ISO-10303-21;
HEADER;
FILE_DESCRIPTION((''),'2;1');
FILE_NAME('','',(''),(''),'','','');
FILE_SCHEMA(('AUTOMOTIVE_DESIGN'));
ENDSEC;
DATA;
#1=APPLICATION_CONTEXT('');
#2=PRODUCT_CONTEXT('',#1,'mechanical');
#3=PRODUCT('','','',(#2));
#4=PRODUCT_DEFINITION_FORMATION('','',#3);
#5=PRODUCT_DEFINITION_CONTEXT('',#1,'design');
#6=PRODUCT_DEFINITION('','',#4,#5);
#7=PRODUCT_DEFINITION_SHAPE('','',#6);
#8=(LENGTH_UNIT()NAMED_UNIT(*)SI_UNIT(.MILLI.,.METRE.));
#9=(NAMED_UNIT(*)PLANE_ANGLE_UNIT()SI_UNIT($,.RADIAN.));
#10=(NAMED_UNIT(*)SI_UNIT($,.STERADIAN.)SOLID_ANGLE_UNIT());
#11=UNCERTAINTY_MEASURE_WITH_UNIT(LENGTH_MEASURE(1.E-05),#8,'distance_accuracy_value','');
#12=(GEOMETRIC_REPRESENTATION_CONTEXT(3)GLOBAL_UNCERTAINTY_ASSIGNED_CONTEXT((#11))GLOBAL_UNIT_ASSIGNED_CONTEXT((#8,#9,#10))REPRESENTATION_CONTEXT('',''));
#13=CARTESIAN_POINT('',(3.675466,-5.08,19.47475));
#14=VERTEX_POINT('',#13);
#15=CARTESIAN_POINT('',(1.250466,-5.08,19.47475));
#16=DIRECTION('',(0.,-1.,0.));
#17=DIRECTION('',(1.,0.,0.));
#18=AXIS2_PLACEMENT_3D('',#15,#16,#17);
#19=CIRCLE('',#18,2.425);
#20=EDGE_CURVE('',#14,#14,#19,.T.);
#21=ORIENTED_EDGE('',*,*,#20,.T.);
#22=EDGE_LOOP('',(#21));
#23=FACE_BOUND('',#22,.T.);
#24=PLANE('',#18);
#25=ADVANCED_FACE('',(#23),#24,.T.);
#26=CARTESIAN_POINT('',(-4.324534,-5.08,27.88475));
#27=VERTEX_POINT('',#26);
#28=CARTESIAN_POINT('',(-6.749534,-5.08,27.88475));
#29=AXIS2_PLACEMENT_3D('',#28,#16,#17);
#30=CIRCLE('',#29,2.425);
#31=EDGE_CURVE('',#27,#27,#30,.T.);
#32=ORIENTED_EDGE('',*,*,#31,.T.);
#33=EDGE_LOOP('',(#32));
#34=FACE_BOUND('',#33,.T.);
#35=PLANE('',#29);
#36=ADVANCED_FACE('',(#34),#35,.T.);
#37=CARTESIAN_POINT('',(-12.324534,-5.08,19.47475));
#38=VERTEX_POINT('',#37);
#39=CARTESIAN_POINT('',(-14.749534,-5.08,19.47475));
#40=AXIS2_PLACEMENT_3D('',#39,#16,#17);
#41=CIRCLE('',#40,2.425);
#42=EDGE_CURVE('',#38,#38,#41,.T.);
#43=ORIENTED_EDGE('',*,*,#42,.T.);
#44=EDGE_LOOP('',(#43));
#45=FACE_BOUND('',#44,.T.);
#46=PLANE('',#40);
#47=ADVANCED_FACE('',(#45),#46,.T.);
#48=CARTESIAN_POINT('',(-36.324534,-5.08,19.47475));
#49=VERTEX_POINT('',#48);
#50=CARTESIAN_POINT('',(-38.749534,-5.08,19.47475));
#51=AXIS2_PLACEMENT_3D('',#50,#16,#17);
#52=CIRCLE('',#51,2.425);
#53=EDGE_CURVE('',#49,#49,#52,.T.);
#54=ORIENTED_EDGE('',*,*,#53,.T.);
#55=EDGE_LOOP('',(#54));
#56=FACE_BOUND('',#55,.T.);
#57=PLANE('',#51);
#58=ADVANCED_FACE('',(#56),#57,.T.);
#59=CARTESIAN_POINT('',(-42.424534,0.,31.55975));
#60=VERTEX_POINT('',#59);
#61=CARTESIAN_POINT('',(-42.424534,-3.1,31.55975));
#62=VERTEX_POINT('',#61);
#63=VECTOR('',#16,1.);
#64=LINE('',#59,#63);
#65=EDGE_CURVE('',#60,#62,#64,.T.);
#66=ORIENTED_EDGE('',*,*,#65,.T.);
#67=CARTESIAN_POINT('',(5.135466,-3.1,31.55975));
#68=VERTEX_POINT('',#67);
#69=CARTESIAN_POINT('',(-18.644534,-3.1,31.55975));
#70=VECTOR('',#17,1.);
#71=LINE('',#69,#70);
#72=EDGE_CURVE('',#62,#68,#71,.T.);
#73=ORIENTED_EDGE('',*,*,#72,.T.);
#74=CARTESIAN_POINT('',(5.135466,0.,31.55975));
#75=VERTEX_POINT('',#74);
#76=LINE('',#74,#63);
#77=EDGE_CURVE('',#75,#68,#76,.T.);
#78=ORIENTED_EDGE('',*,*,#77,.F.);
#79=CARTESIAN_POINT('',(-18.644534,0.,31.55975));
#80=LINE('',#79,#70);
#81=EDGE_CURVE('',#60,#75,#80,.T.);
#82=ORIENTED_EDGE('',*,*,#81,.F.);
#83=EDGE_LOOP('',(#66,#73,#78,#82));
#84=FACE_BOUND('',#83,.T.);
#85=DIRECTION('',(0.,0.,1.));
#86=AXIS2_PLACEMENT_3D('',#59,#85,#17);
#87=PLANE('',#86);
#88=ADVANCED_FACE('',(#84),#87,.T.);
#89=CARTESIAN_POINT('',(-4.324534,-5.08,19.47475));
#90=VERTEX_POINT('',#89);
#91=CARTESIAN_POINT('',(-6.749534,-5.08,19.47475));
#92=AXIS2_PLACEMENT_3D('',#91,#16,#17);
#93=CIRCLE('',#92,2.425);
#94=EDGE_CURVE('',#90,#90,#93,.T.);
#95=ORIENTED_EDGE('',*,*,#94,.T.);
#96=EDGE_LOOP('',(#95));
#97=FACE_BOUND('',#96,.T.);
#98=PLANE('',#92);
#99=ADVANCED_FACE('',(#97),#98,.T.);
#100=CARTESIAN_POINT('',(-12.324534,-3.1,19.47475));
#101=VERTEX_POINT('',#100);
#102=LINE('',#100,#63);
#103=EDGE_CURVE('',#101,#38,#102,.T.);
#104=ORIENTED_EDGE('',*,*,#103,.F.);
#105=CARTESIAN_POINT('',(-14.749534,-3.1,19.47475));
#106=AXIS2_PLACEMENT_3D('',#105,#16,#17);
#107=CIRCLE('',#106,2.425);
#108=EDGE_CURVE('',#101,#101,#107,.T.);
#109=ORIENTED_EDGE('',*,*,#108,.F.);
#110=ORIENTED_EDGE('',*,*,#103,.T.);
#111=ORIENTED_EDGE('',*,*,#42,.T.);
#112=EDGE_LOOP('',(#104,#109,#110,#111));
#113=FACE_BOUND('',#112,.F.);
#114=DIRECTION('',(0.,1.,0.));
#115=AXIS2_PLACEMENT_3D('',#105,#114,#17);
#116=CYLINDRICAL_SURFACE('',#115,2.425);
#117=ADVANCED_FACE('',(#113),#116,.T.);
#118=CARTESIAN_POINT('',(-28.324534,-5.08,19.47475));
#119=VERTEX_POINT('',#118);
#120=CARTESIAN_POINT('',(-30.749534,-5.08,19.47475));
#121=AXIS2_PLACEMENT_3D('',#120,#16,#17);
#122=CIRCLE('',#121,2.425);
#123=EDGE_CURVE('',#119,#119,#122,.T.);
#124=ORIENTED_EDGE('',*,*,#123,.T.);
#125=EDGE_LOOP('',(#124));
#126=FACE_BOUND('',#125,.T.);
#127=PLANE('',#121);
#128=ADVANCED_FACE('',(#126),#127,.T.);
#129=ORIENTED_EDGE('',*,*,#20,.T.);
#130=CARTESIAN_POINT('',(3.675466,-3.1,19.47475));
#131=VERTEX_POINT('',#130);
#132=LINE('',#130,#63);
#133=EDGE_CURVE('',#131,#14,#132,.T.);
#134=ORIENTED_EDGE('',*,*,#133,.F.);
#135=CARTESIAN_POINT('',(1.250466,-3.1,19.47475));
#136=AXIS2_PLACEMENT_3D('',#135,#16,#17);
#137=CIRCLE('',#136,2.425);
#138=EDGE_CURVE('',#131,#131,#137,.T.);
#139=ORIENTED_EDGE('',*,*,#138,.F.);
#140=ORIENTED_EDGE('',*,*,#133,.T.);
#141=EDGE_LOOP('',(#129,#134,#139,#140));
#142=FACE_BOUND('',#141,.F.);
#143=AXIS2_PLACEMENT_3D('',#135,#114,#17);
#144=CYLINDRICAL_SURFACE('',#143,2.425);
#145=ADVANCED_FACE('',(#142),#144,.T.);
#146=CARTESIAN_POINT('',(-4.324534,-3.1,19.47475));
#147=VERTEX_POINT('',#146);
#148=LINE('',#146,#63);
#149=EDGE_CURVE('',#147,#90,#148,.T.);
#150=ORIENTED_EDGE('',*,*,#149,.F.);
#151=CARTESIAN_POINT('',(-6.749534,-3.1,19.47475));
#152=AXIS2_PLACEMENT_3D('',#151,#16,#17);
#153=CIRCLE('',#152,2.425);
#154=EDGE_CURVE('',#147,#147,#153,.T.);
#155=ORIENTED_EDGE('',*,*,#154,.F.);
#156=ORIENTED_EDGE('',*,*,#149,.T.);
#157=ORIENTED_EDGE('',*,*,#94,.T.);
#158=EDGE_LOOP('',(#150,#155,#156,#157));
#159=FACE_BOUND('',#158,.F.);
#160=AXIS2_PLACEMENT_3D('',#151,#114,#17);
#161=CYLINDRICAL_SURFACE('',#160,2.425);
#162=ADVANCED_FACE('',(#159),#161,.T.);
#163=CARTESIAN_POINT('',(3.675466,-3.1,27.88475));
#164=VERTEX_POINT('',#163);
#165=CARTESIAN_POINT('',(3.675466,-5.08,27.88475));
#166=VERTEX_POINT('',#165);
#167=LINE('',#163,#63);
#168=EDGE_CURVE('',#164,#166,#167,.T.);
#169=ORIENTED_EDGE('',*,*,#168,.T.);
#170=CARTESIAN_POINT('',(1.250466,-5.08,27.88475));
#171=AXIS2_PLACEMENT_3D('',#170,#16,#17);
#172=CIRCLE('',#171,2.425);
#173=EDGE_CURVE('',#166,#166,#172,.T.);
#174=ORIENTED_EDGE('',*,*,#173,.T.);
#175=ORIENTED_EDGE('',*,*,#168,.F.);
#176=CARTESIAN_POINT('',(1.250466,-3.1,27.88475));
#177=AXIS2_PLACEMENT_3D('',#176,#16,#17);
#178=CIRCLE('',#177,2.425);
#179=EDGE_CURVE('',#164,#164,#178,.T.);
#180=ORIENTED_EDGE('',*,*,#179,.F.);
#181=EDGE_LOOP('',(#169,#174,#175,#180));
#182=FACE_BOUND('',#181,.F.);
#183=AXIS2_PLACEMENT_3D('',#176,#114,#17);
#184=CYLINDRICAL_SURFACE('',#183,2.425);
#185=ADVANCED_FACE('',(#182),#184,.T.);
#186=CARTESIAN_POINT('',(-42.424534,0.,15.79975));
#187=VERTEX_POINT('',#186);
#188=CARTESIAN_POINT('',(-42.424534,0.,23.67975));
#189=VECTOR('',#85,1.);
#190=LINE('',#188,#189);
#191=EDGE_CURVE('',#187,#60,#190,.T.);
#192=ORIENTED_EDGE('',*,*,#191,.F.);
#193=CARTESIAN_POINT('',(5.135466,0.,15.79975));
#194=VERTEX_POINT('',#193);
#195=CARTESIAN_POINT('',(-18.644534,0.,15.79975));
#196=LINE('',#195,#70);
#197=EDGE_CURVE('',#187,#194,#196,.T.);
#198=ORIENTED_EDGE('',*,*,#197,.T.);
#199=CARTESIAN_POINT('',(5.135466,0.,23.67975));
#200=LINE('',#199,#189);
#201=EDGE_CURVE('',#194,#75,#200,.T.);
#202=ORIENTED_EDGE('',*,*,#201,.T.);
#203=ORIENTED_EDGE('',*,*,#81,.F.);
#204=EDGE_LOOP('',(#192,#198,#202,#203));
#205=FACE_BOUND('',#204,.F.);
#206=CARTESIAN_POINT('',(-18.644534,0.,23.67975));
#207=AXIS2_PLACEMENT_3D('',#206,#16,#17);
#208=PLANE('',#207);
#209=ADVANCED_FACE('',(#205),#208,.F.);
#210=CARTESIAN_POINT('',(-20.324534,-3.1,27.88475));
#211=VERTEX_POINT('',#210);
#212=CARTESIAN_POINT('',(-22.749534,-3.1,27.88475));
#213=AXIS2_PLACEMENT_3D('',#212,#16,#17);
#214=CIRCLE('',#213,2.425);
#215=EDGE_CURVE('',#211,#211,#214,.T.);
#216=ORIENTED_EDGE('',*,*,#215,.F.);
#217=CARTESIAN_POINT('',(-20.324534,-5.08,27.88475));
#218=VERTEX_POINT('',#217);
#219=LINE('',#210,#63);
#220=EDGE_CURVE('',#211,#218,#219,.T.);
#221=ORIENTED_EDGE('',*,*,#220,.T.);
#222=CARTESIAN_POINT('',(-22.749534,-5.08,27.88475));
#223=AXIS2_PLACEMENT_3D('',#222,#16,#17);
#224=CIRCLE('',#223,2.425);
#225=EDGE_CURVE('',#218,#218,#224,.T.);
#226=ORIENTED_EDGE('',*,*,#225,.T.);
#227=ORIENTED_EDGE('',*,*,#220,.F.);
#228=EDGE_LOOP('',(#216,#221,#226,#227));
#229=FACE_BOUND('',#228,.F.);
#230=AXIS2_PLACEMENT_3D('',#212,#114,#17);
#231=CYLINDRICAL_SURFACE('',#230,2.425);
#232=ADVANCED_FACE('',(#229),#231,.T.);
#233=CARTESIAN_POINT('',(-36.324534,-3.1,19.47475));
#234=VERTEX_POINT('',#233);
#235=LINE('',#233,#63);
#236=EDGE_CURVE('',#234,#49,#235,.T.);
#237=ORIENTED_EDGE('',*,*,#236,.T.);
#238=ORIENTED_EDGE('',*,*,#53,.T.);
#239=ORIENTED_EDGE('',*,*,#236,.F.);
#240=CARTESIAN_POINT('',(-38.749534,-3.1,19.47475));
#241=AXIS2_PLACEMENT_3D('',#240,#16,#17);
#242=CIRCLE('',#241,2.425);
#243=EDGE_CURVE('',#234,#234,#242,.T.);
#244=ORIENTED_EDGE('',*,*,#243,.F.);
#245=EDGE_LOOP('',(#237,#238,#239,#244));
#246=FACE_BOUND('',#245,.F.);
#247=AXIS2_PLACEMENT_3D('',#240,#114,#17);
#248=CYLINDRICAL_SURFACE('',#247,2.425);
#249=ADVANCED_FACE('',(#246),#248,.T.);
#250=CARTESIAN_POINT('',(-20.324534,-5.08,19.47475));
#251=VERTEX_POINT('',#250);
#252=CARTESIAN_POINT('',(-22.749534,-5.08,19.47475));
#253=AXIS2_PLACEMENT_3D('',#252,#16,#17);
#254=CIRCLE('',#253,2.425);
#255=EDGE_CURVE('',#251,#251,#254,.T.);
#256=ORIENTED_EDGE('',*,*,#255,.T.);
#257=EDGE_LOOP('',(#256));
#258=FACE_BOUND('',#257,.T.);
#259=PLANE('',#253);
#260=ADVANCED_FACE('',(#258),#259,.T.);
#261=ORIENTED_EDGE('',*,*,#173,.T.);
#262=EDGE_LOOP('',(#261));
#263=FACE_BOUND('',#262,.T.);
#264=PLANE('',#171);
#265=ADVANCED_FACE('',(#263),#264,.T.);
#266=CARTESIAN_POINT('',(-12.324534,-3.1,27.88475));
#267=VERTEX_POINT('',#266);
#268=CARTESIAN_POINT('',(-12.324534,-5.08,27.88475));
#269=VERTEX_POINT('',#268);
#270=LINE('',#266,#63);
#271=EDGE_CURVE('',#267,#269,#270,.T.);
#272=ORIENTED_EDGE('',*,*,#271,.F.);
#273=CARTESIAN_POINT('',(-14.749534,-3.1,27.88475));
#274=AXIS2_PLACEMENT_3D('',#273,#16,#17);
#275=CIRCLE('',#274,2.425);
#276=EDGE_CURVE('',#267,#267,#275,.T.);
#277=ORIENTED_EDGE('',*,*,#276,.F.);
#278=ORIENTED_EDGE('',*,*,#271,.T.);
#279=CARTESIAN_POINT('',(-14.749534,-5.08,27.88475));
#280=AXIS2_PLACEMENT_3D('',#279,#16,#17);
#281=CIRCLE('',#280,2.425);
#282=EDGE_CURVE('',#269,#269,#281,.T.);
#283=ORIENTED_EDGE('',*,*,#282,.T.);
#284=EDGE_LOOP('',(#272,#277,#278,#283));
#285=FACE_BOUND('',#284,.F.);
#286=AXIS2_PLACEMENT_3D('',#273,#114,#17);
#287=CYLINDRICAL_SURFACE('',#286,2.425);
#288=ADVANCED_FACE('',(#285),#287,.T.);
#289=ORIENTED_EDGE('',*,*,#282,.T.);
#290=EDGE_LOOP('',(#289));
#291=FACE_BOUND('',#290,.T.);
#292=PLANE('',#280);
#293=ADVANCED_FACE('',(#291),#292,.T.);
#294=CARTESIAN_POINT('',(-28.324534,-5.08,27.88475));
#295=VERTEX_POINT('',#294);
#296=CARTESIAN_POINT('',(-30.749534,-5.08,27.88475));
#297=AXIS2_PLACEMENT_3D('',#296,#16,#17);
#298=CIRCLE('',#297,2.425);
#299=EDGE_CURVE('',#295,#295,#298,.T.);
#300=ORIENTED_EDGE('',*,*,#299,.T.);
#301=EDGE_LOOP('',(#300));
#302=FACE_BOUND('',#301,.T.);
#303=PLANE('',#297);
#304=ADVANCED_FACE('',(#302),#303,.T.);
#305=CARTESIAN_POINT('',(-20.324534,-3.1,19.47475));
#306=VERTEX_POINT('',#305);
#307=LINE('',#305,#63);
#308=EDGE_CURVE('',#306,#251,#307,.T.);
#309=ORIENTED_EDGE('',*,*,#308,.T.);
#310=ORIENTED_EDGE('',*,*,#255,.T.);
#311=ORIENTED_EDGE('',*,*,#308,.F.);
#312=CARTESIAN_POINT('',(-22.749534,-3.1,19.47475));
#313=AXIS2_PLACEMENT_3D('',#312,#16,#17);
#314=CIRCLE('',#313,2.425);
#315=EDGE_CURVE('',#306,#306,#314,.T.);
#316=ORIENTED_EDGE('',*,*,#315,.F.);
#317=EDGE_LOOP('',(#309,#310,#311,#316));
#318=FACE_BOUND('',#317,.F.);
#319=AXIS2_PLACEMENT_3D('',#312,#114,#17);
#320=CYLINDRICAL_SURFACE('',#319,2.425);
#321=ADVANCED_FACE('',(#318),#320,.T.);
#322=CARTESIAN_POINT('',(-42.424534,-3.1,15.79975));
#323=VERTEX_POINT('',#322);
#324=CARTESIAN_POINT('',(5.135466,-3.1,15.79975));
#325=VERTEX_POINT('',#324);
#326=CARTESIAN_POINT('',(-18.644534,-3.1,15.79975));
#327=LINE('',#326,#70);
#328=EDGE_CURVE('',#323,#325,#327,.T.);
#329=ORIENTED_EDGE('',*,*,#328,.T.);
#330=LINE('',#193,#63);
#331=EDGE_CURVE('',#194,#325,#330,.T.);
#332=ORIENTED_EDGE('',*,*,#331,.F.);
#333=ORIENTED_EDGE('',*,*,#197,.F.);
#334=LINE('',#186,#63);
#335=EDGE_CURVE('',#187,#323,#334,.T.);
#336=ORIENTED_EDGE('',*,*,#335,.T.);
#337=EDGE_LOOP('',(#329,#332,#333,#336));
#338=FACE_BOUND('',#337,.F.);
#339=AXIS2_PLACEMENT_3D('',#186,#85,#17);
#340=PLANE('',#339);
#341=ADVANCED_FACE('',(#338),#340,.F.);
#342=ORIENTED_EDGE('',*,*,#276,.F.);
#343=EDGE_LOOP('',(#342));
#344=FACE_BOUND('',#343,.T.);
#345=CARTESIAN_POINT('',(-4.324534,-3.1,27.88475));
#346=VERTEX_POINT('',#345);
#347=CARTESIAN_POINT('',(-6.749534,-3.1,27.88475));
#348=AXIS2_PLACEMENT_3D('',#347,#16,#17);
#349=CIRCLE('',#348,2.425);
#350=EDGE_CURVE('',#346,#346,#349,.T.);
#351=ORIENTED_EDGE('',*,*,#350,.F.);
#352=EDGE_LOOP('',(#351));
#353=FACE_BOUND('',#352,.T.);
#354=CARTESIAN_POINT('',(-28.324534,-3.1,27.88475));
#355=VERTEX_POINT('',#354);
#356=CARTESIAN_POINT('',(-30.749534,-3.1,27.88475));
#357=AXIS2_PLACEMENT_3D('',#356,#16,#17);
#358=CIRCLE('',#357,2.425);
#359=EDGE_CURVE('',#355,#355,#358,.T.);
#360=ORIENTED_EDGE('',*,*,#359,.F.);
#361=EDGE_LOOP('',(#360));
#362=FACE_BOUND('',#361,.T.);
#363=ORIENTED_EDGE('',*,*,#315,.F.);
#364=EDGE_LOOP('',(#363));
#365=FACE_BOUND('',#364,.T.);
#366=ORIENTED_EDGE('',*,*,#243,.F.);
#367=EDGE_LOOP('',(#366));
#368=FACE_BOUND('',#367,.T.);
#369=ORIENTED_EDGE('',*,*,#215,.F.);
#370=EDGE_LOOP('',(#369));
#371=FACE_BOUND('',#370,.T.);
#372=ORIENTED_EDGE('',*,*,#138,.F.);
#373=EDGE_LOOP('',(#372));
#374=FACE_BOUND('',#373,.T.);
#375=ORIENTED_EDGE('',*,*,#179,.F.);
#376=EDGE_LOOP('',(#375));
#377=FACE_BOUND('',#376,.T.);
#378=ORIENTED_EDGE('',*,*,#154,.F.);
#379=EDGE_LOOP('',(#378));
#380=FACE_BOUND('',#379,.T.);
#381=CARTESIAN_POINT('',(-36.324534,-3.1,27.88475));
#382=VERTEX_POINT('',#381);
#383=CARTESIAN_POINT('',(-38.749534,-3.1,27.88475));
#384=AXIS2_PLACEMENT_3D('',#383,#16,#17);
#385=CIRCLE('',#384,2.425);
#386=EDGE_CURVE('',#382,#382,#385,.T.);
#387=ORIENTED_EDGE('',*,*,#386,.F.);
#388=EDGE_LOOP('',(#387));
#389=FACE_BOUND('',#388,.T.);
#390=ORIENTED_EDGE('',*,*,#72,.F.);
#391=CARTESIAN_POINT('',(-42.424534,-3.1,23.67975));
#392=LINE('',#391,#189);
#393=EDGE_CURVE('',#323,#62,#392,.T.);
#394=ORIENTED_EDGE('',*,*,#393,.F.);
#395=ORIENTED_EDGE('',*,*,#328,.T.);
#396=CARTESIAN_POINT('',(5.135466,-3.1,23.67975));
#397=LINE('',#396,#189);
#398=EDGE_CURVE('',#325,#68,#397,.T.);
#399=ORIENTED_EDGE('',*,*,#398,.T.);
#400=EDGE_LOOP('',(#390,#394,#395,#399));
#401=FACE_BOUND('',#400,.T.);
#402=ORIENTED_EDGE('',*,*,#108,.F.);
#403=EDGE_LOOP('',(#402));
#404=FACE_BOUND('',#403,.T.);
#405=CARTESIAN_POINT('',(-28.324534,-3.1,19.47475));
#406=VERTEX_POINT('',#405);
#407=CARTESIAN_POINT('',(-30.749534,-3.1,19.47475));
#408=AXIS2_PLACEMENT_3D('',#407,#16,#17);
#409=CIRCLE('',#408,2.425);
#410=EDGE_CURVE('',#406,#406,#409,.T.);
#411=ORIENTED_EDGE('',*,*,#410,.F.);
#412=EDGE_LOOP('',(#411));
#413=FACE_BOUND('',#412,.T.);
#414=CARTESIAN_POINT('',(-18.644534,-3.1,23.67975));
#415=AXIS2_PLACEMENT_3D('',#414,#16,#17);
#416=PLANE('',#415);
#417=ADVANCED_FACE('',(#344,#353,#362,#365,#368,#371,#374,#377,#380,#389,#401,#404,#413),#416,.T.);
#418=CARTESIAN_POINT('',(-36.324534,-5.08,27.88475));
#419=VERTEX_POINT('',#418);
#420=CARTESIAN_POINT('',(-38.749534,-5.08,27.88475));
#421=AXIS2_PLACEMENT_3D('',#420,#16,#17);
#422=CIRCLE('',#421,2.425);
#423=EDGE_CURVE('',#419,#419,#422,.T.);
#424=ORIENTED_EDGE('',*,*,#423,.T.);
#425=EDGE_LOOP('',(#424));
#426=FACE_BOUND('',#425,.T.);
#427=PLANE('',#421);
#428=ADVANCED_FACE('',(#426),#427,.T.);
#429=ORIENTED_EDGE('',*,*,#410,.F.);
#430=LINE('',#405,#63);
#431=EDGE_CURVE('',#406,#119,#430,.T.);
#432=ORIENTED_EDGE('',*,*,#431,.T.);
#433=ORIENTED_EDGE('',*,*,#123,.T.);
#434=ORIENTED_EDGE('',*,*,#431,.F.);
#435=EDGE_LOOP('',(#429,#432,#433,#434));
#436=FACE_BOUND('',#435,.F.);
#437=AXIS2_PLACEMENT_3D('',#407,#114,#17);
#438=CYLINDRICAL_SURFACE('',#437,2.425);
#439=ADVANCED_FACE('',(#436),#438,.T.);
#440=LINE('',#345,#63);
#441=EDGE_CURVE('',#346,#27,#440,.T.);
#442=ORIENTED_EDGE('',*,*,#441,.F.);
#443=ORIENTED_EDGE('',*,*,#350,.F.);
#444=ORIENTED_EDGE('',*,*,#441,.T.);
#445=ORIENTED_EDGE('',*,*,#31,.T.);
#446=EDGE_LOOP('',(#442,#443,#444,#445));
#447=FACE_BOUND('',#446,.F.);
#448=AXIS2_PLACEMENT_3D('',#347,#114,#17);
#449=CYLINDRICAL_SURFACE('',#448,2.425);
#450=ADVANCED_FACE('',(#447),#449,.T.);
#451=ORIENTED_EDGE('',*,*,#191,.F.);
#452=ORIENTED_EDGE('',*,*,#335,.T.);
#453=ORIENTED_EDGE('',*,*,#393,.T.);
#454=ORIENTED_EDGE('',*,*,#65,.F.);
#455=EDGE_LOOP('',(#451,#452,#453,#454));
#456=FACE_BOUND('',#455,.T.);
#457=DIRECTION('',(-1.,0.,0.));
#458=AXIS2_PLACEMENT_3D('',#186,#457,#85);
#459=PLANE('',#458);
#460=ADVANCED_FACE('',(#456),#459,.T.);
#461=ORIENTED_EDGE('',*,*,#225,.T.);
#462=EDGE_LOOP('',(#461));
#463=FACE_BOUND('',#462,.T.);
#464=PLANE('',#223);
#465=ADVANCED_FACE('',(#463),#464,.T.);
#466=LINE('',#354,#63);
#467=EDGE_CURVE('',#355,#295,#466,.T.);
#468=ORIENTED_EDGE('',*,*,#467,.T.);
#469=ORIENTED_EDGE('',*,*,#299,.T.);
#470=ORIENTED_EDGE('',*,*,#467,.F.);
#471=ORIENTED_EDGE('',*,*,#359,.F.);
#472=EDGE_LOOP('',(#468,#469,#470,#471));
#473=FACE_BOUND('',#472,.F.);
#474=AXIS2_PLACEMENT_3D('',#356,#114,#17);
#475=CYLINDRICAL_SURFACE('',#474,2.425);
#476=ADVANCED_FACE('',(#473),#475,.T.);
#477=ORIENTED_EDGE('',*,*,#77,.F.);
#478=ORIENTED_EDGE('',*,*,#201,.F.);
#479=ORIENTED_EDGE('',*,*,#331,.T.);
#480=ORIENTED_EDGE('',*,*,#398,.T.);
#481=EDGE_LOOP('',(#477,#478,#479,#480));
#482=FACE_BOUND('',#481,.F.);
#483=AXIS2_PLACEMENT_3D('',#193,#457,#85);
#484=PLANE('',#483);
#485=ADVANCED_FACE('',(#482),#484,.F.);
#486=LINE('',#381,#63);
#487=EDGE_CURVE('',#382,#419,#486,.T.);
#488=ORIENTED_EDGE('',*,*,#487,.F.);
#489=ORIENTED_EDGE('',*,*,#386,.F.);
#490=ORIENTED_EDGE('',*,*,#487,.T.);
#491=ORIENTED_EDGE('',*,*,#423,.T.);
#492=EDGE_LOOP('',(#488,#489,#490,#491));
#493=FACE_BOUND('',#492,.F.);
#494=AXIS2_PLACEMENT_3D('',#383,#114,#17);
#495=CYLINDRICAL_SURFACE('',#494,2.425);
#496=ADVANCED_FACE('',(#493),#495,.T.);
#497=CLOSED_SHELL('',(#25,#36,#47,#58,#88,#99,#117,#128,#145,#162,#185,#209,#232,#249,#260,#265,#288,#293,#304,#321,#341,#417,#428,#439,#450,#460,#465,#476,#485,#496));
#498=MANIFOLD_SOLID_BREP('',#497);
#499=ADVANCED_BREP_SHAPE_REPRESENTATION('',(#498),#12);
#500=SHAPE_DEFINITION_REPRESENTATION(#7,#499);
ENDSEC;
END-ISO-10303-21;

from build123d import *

# Parameters (mm, degrees)
F0_W     = 47.56
F0_H     = 15.76
F1_DEPTH = 3.1
F2_R     = 2.425
F3_DEPTH = 1.98


with BuildPart() as f1:
    # F0 (on Front) → F1 (new body)
    with BuildSketch(Plane.XZ):
        with Locations((-18.644534, 23.67975)):
            Rectangle(F0_W, F0_H)
    extrude(amount=F1_DEPTH)

    # F2 (on face) → F3 (join)
    with BuildSketch(Plane.XZ.offset(3.1)):
        with Locations((-38.749534, 19.47475)):
            Circle(F2_R)
        with Locations((-38.749534, 27.88475)):
            Circle(F2_R)
        with Locations((-30.749534, 27.88475)):
            Circle(F2_R)
        with Locations((-30.749534, 19.47475)):
            Circle(F2_R)
        with Locations((-22.749534, 27.88475)):
            Circle(F2_R)
        with Locations((-22.749534, 19.47475)):
            Circle(F2_R)
        with Locations((-14.749534, 19.47475)):
            Circle(F2_R)
        with Locations((-6.749534, 19.47475)):
            Circle(F2_R)
        with Locations((1.250466, 19.47475)):
            Circle(F2_R)
        with Locations((-14.749534, 27.88475)):
            Circle(F2_R)
        with Locations((-6.749534, 27.88475)):
            Circle(F2_R)
        with Locations((1.250466, 27.88475)):
            Circle(F2_R)
    extrude(amount=F3_DEPTH)


solid = f1.part
